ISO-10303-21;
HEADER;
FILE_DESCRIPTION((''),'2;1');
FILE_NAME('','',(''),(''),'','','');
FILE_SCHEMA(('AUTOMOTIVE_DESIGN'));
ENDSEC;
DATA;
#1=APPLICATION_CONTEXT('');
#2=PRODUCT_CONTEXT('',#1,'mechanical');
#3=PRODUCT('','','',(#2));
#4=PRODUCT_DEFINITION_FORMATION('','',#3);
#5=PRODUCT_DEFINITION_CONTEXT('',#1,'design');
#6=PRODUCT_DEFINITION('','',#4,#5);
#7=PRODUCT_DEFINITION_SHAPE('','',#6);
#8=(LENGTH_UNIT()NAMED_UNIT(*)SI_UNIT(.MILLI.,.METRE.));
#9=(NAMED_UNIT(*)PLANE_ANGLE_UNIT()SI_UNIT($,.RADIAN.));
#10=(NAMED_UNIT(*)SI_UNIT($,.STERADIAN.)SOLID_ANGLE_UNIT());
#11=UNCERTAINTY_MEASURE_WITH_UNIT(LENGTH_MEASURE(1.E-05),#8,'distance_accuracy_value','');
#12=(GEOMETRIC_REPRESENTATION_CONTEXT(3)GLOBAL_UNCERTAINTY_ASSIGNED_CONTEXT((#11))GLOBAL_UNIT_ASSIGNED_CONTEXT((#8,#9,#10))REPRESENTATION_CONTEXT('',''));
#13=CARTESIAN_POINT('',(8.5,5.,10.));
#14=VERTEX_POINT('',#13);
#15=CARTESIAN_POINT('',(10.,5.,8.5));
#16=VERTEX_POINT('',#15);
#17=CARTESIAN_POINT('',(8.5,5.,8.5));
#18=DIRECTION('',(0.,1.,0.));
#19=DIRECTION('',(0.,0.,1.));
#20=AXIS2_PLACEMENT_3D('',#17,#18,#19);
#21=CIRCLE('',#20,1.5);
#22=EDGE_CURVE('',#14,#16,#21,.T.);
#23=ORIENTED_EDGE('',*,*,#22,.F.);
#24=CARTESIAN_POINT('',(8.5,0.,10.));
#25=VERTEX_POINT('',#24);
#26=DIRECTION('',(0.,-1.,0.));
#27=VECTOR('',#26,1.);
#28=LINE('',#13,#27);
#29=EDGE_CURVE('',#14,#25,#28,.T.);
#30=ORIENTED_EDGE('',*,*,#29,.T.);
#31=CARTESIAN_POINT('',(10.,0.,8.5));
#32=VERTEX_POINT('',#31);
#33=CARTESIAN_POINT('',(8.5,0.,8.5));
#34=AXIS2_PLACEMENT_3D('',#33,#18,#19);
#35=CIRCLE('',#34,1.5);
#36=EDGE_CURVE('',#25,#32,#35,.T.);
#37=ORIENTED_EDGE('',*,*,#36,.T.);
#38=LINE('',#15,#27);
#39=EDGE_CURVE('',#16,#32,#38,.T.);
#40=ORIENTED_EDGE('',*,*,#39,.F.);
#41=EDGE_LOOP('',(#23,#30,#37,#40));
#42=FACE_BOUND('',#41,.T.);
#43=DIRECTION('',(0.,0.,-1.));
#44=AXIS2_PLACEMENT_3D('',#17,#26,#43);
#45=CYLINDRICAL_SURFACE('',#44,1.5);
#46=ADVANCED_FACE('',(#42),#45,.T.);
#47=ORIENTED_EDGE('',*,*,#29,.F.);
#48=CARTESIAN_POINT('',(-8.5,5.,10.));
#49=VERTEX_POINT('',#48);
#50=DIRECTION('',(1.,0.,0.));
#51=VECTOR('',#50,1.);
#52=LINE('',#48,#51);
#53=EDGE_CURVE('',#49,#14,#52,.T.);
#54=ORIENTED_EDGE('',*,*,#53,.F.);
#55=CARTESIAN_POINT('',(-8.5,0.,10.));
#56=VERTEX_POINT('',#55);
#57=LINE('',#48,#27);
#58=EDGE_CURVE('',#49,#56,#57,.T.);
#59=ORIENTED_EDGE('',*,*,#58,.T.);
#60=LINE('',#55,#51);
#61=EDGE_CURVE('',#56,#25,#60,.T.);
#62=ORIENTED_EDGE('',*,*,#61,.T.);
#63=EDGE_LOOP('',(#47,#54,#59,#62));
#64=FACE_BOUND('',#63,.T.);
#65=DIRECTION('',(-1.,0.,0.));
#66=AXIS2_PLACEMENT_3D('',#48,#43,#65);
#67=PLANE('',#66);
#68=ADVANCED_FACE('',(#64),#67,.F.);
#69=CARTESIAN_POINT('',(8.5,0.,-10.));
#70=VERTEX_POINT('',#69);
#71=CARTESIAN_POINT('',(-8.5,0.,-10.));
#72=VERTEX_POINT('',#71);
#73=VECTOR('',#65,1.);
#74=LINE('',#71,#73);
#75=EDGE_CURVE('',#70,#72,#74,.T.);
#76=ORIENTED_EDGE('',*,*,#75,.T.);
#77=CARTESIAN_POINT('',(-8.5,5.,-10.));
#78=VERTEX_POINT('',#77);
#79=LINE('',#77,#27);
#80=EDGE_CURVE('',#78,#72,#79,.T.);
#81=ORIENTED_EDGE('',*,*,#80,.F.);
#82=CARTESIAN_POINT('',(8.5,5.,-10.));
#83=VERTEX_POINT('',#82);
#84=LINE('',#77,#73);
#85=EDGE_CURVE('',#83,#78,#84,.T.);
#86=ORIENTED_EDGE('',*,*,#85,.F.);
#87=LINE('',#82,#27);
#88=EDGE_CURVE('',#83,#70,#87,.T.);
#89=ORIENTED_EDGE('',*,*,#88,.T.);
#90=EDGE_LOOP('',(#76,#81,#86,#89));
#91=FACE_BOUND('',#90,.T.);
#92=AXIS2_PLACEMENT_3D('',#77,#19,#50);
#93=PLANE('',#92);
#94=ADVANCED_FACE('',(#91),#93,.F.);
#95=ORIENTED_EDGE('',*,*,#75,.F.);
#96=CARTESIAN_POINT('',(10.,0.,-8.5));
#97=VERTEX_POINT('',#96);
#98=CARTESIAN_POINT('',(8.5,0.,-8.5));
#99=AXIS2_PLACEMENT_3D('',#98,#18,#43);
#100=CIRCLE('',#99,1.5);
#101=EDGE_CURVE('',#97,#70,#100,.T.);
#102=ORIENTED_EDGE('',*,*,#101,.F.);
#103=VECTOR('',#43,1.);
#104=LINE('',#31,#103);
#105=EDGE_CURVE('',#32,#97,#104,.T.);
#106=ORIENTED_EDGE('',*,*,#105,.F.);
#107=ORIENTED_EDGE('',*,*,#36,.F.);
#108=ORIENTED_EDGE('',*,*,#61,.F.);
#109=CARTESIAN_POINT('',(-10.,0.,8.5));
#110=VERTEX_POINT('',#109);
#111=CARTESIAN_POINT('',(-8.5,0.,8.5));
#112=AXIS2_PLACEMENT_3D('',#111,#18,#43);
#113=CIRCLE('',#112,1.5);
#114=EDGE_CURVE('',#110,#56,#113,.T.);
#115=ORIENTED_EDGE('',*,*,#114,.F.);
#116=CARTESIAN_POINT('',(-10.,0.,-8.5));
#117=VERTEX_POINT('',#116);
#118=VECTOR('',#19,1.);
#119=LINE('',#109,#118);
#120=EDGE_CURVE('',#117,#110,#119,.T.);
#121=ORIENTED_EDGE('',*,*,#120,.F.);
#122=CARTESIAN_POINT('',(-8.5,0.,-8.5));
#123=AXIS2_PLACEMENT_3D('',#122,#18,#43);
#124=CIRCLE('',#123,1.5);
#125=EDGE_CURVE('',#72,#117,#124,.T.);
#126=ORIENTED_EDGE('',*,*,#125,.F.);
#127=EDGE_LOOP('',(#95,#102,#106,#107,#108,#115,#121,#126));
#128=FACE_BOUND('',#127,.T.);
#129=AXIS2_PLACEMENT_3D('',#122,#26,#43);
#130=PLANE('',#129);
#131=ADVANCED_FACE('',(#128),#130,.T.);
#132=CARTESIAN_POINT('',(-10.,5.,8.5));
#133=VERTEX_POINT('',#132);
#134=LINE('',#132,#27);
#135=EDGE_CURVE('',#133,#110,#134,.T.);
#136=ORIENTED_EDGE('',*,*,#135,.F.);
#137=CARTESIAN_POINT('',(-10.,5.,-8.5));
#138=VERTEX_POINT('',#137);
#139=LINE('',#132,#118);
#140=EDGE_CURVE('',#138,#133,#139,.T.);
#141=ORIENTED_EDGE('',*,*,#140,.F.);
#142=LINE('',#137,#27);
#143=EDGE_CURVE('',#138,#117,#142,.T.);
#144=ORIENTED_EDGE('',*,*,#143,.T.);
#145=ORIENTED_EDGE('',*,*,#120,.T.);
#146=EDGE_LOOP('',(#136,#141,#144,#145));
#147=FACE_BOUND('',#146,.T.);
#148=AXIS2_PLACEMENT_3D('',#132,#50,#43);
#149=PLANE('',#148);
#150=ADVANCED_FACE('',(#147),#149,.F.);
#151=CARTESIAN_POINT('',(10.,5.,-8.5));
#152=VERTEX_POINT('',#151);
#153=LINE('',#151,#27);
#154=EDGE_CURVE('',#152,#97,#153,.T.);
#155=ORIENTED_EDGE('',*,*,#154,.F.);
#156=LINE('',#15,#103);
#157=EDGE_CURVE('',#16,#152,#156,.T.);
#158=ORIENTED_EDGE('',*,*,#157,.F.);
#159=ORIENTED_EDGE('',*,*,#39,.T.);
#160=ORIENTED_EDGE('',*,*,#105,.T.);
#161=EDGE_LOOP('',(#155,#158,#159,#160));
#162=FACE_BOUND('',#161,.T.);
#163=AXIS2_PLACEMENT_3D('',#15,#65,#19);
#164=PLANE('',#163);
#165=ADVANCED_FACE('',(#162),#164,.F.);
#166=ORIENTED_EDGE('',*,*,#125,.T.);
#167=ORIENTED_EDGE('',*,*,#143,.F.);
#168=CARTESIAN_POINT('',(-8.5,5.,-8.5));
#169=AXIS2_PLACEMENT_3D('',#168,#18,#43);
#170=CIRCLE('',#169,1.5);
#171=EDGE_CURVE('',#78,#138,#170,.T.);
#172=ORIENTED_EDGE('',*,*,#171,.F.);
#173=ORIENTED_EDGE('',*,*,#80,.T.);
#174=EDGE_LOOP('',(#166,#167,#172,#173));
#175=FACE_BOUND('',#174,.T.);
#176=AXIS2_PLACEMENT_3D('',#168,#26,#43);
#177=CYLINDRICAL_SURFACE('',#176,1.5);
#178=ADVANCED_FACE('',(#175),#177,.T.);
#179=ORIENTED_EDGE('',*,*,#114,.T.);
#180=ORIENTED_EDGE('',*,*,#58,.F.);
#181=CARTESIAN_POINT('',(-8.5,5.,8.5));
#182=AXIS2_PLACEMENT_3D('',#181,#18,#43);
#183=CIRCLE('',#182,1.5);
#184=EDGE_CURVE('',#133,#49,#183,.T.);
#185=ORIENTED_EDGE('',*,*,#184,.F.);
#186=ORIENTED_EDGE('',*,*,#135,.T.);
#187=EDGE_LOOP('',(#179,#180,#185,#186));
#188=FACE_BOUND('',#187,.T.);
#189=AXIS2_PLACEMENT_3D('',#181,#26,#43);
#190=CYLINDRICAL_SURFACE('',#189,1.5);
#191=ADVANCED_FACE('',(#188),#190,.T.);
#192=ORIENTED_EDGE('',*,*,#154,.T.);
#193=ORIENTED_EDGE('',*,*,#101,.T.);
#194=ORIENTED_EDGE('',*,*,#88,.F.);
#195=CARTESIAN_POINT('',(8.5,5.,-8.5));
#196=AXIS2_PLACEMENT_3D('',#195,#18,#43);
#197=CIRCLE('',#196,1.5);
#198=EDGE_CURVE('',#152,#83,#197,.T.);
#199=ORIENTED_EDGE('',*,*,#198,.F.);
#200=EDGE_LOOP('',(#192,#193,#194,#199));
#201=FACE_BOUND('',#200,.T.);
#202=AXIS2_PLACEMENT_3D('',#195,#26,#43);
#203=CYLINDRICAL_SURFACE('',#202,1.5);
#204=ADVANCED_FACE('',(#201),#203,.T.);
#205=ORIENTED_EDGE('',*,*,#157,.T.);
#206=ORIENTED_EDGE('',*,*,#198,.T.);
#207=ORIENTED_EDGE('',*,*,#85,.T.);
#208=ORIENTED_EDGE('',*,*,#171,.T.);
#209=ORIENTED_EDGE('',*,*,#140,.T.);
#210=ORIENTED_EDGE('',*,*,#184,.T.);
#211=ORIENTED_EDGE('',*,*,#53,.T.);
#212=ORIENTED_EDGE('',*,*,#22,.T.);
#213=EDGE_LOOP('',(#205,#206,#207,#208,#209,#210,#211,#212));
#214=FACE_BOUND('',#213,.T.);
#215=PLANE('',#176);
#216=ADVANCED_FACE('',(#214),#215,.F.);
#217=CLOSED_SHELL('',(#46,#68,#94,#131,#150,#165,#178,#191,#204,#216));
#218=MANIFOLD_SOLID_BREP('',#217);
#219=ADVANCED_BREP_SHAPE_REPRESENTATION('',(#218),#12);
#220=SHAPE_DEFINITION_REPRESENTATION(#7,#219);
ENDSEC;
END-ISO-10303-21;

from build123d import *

# Parameters (mm, degrees)
BOSS_EXTRUDE1_DEPTH = 5


with BuildPart() as part:
    # Sketch1 → Boss-Extrude1 (new body)
    with BuildSketch(Plane(origin=(0, 0, 0), x_dir=(1, 0, 0), z_dir=(0, 1, 0))):
        with BuildLine():
            Line((-8.5, -10), (8.5, -10))
            ThreePointArc((8.5, -10), (9.560660172, -9.560660172), (10, -8.5))
            Line((10, -8.5), (10, 8.5))
            ThreePointArc((10, 8.5), (9.560660172, 9.560660172), (8.5, 10))
            Line((8.5, 10), (-8.5, 10))
            ThreePointArc((-8.5, 10), (-9.560660172, 9.560660172), (-10, 8.5))
            Line((-10, 8.5), (-10, -8.5))
            ThreePointArc((-10, -8.5), (-9.560660172, -9.560660172), (-8.5, -10))
        make_face()
    extrude(amount=BOSS_EXTRUDE1_DEPTH)


solid = part.part
